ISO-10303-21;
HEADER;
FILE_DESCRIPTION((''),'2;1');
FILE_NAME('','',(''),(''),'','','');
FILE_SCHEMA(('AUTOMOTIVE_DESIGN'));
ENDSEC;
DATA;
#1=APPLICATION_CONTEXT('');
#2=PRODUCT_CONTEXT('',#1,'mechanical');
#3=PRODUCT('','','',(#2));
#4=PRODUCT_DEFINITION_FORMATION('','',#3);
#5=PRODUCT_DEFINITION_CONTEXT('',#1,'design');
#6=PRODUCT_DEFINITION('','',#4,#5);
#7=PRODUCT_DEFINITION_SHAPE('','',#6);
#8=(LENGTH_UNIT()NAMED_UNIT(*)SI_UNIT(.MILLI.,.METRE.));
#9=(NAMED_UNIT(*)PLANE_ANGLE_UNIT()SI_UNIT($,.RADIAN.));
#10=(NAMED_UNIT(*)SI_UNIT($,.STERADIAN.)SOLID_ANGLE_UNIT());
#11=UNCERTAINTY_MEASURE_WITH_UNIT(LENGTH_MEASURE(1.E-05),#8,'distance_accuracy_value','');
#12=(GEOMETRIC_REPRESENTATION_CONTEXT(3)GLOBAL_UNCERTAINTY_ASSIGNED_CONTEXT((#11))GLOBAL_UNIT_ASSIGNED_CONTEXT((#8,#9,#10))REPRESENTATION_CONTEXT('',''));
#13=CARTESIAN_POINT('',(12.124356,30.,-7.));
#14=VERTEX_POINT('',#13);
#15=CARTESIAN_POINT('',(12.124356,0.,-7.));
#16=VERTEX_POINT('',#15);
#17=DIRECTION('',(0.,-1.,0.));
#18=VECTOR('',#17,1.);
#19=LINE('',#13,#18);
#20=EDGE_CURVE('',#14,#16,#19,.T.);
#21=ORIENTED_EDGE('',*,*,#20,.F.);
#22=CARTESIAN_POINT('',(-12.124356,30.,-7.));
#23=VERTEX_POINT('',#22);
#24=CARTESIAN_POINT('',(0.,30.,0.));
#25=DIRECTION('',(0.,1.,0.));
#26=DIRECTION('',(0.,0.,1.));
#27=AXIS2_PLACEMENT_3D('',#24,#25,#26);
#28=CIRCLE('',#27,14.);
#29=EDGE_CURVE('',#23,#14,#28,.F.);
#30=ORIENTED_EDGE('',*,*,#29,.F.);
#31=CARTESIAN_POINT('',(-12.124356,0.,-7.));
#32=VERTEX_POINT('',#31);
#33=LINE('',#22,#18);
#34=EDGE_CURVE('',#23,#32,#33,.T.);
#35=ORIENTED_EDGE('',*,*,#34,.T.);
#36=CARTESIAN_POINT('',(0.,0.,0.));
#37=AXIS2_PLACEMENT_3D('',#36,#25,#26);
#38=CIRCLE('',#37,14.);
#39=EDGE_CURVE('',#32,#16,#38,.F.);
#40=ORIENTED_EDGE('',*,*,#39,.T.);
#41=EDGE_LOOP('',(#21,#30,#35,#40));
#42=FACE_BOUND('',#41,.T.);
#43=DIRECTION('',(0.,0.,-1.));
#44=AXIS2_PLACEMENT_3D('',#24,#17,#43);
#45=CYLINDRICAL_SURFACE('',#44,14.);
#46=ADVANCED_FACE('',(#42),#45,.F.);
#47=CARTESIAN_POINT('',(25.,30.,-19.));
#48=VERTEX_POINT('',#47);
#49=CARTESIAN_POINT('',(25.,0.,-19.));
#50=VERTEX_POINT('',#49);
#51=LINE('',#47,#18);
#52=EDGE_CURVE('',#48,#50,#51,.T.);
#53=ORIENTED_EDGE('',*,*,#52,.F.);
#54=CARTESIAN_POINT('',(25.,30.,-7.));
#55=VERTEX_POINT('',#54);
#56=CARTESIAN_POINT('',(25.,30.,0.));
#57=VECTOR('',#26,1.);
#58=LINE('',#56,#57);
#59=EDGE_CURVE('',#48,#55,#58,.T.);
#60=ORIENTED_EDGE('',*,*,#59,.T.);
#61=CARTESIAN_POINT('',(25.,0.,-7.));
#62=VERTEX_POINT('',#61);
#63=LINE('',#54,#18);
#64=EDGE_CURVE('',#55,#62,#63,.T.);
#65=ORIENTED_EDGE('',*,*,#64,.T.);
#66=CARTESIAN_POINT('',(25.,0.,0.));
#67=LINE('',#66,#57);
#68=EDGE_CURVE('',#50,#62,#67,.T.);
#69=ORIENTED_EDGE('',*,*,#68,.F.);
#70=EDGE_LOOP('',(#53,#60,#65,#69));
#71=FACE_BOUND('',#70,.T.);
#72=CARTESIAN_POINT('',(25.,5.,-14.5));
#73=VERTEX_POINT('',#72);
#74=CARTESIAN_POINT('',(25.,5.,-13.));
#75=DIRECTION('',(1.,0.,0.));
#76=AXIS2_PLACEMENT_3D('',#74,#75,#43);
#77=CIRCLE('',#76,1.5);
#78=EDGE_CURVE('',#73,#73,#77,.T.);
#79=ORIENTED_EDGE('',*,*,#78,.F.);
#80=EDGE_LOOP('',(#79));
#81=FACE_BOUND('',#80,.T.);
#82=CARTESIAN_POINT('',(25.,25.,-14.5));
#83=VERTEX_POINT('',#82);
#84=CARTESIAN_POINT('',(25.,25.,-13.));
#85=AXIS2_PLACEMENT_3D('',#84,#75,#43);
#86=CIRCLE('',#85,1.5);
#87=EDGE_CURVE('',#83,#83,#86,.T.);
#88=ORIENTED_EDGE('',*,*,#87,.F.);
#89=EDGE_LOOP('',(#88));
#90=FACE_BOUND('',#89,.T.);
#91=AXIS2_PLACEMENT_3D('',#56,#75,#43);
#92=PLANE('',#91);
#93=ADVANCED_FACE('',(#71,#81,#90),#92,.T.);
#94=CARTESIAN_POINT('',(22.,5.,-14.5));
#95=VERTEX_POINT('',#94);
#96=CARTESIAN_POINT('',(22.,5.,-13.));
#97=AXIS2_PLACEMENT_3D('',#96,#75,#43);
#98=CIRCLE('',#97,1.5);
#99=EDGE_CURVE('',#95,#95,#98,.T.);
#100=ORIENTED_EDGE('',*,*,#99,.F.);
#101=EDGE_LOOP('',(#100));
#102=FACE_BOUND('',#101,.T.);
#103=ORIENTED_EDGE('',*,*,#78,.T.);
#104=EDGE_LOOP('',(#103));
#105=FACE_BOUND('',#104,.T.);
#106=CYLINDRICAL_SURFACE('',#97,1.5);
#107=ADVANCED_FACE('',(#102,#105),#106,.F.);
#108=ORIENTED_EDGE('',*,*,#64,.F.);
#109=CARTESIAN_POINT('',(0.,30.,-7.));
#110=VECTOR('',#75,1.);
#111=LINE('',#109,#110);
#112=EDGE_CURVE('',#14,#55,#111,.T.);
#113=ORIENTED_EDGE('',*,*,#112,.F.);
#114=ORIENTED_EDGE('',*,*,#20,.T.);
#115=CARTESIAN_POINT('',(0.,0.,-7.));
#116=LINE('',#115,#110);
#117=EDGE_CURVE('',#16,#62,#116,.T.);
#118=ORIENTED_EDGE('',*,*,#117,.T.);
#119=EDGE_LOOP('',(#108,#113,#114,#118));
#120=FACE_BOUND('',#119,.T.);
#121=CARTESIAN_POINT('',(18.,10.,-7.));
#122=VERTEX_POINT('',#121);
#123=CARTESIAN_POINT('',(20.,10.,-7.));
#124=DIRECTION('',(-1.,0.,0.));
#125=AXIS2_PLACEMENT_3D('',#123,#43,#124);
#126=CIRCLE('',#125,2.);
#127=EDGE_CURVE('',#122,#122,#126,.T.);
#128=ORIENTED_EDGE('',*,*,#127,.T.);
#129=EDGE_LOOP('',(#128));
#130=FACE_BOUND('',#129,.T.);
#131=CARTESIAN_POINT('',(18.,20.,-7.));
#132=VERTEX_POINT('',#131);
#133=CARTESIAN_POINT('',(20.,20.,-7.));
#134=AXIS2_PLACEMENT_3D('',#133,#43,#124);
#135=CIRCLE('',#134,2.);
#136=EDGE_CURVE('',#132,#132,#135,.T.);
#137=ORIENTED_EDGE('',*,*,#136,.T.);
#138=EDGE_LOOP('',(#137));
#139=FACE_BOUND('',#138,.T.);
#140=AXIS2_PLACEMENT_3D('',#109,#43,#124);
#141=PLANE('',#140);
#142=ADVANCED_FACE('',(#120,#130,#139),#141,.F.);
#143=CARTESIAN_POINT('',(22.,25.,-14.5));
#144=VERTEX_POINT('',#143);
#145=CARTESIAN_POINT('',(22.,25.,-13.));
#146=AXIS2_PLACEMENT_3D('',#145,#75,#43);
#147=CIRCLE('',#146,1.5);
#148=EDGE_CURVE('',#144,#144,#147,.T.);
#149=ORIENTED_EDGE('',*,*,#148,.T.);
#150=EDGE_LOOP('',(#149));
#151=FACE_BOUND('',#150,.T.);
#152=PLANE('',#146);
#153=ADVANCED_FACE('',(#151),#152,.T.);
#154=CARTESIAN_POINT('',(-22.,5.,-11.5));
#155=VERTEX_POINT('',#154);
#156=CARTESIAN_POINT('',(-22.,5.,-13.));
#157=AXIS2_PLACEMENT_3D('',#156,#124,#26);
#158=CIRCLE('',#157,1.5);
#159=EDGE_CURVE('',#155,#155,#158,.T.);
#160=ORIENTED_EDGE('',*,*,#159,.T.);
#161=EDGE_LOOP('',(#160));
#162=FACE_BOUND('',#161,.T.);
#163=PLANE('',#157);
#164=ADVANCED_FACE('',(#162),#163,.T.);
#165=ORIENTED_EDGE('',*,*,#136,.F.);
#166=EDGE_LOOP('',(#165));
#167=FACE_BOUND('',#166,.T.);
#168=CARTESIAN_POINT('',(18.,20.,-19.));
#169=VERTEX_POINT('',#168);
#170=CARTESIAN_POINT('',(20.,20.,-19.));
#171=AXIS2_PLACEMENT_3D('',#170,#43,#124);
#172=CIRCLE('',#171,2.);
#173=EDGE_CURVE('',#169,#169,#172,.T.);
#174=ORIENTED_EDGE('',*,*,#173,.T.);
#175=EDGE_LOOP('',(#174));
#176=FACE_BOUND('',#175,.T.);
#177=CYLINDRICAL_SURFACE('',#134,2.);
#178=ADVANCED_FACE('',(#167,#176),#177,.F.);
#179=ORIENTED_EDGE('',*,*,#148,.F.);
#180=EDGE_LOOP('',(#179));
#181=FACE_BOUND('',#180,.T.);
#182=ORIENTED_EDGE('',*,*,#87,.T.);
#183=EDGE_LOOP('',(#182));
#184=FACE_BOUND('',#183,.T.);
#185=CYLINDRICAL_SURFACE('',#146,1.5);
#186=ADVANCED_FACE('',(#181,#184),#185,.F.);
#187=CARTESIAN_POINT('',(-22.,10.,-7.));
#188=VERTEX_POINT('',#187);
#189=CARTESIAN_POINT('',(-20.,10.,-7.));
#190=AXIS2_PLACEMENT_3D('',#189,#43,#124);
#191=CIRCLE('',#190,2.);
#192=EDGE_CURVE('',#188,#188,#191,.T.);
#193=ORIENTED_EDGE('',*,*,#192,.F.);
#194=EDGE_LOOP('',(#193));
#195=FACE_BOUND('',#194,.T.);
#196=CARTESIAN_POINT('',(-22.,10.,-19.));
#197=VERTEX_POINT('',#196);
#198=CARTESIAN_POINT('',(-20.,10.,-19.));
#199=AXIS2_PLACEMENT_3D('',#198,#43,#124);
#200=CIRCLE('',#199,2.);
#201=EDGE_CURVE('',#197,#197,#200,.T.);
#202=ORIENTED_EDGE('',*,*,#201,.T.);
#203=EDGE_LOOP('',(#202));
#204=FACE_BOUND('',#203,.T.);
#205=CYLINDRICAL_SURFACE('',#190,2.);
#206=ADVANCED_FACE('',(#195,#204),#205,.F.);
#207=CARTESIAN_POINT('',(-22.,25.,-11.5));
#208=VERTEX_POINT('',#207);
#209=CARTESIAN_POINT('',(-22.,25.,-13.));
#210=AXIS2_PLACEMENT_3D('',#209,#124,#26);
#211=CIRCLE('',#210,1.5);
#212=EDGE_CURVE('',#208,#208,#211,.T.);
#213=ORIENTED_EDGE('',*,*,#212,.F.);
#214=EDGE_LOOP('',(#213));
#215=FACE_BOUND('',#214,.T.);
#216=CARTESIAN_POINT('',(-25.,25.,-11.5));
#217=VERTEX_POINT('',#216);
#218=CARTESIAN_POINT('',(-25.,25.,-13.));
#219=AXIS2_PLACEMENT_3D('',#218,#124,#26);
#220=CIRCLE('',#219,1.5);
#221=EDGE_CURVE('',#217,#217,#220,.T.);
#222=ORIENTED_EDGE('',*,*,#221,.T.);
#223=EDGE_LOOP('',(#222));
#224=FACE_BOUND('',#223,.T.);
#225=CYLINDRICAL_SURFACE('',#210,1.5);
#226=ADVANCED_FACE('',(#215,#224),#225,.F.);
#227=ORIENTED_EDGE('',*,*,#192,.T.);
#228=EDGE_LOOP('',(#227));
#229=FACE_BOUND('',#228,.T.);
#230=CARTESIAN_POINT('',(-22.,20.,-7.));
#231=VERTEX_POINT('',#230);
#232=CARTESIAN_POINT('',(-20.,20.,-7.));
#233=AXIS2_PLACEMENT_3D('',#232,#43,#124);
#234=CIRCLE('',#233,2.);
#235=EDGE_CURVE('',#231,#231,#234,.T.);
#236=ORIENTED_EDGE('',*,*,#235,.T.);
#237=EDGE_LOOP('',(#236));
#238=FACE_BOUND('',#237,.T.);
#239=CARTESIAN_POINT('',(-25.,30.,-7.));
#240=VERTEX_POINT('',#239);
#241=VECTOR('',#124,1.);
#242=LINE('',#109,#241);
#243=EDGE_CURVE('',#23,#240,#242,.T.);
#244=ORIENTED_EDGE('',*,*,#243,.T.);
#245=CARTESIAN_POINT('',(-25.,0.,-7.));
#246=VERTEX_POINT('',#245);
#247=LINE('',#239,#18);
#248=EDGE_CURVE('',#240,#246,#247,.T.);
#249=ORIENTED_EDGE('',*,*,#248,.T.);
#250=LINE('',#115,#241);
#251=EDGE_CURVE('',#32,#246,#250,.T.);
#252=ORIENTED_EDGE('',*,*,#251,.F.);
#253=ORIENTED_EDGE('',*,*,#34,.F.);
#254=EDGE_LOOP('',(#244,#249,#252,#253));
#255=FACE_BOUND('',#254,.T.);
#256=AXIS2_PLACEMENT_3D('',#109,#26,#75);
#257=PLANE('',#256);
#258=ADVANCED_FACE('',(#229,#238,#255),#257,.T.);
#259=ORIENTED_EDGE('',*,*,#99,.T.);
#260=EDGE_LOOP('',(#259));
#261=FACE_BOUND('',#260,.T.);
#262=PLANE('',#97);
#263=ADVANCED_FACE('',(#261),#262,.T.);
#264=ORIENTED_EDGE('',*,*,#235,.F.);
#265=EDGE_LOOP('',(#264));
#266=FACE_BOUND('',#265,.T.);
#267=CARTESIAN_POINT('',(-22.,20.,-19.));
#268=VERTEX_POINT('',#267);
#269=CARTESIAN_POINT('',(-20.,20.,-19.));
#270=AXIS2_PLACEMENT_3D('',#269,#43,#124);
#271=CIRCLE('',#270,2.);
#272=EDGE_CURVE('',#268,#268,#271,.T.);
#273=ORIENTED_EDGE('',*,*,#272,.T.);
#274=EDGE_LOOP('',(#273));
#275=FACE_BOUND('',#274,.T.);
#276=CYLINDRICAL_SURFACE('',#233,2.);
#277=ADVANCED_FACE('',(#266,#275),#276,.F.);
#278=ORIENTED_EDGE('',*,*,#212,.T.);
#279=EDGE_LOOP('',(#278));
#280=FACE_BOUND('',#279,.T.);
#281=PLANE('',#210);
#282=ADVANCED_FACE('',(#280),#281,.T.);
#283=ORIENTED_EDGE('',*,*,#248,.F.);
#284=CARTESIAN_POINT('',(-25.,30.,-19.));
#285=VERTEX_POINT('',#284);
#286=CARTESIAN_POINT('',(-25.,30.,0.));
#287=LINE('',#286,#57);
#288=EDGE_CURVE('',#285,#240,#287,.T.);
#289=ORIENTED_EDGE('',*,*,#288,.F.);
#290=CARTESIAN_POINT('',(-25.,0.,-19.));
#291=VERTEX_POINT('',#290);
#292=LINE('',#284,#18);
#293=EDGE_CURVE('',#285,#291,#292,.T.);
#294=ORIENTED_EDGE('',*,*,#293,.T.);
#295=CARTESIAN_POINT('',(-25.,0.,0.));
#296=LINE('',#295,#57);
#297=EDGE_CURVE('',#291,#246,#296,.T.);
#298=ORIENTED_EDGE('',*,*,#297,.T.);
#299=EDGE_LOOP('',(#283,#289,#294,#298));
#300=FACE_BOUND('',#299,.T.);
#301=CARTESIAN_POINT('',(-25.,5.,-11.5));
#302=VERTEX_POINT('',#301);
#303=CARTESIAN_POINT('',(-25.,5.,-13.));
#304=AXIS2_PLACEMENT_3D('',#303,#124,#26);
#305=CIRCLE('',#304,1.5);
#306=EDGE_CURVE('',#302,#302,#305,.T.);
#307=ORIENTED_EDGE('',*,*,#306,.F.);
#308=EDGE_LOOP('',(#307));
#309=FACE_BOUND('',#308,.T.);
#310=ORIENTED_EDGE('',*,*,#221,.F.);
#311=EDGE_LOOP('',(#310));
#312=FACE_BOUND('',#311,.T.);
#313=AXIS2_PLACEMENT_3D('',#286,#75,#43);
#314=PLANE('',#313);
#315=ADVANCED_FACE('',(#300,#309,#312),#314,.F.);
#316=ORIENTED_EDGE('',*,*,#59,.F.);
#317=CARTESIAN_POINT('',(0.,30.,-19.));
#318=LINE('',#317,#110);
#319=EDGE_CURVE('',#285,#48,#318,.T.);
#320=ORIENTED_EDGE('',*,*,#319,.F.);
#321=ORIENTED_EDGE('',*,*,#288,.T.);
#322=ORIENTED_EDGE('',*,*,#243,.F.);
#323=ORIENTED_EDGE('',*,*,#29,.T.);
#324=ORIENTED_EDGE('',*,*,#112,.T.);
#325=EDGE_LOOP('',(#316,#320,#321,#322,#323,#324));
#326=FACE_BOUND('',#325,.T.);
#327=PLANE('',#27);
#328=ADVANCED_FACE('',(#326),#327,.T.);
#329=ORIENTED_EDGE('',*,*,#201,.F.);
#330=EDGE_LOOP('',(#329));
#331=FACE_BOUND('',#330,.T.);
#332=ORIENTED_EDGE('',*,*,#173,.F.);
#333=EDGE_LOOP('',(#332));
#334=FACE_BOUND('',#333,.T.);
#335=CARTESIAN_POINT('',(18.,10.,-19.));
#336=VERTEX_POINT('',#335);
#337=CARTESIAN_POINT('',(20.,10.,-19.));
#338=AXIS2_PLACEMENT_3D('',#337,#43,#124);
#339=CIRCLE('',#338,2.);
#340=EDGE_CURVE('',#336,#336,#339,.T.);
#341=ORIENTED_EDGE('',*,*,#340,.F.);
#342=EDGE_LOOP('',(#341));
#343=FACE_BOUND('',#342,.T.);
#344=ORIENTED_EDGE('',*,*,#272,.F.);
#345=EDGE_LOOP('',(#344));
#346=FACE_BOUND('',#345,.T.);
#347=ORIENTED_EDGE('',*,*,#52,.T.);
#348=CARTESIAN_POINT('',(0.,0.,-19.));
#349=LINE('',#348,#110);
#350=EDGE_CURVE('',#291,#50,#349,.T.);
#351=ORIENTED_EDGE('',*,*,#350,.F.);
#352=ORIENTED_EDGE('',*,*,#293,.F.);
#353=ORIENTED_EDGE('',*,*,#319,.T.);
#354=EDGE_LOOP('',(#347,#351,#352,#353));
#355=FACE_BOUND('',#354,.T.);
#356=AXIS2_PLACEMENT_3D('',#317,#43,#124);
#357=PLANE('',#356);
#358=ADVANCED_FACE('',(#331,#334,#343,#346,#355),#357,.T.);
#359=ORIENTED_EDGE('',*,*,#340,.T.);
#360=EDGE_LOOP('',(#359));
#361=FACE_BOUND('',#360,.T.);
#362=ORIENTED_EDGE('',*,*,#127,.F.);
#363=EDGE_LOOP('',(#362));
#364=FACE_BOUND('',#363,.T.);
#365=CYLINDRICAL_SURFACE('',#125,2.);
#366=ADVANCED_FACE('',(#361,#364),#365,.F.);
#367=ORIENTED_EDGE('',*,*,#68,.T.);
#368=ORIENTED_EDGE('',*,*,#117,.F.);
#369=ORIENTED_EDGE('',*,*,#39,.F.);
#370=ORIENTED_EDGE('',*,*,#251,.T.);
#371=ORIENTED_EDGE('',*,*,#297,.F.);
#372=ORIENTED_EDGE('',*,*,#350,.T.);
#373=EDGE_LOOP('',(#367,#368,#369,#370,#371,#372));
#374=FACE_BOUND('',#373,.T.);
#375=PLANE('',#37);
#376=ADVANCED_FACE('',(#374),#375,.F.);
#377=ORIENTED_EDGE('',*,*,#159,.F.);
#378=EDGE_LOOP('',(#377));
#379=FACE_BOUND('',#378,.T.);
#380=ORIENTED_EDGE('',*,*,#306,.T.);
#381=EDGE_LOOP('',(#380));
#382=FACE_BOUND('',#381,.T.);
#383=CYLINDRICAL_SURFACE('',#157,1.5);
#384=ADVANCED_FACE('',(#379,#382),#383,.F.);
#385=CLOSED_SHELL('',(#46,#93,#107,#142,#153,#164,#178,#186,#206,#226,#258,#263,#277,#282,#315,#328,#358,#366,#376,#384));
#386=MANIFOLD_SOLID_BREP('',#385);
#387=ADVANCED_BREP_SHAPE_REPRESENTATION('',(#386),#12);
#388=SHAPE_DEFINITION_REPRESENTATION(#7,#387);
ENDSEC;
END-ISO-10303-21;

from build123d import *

# Parameters (mm, degrees)
BOSS_EXTRU_3_DEPTH      = 30
ESQUISSE1_5_W           = 12.875644347
ESQUISSE1_5_H           = 12
BOSS_EXTRU_4_DEPTH      = 30
ESQUISSE10_R            = 1.5
ENL_V_MAT_EXTRU_1_DEPTH = 3
ENL_V_START             = -3
ESQUISSE9_R             = 1.5
ENL_V_MAT_EXTRU_2_DEPTH = 3
ESQUISSE11_R            = 2
ENL_V_MAT_EXTRU_3_DEPTH = 41.853396432


with BuildPart() as part:
    # Esquisse1 → Boss.-Extru.3 (new body)
    with BuildSketch(Plane(origin=(0, 0, 0), x_dir=(1, 0, 0), z_dir=(0, 1, 0))):
        with BuildLine():
            Line((-12.124355653, 19), (-12.124355653, 7))
            ThreePointArc((-12.124355653, 7), (0, 14), (12.124355653, 7))
            Line((12.124355653, 7), (12.124355653, 19))
            Line((12.124355653, 19), (-12.124355653, 19))
        make_face()
    extrude(amount=BOSS_EXTRU_3_DEPTH)

    # Esquisse1<5> → Boss.-Extru.4 (add)
    with BuildSketch(Plane(origin=(0, 0, 0), x_dir=(1, 0, 0), z_dir=(0, 1, 0))):
        with Locations((-18.562177827, 13)):
            Rectangle(ESQUISSE1_5_W, ESQUISSE1_5_H)
        with Locations((18.562177827, 13)):
            Rectangle(ESQUISSE1_5_W, ESQUISSE1_5_H)
    extrude(amount=BOSS_EXTRU_4_DEPTH)

    # Esquisse10 → Enlèv. mat.-Extru.1 (cut)
    with BuildSketch(Plane(origin=(25, 0, 0), x_dir=(0, 0, -1), z_dir=(1, 0, 0))):
        with Locations((13, 25)):
            Circle(ESQUISSE10_R)
        with Locations((13, 5)):
            Circle(ESQUISSE10_R)
    extrude(amount=-ENL_V_MAT_EXTRU_1_DEPTH, mode=Mode.SUBTRACT)

    # Esquisse9 → Enlèv. mat.-Extru.2 (cut)
    with BuildSketch(Plane.ZY.offset(25).offset(ENL_V_START)):
        with Locations((-13, 25)):
            Circle(ESQUISSE9_R)
        with Locations((-13, 5)):
            Circle(ESQUISSE9_R)
    extrude(amount=ENL_V_MAT_EXTRU_2_DEPTH, mode=Mode.SUBTRACT)

    # Esquisse11 → Enlèv. mat.-Extru.3 (cut, through all)
    with BuildSketch(Plane(origin=(0, 0, -19), x_dir=(-1, 0, 0), z_dir=(0, 0, -1))):
        with Locations((-20, 20)):
            Circle(ESQUISSE11_R)
        with Locations((20, 20)):
            Circle(ESQUISSE11_R)
        with Locations((-20, 10)):
            Circle(ESQUISSE11_R)
        with Locations((20, 10)):
            Circle(ESQUISSE11_R)
    extrude(amount=-ENL_V_MAT_EXTRU_3_DEPTH, mode=Mode.SUBTRACT)


solid = part.part
